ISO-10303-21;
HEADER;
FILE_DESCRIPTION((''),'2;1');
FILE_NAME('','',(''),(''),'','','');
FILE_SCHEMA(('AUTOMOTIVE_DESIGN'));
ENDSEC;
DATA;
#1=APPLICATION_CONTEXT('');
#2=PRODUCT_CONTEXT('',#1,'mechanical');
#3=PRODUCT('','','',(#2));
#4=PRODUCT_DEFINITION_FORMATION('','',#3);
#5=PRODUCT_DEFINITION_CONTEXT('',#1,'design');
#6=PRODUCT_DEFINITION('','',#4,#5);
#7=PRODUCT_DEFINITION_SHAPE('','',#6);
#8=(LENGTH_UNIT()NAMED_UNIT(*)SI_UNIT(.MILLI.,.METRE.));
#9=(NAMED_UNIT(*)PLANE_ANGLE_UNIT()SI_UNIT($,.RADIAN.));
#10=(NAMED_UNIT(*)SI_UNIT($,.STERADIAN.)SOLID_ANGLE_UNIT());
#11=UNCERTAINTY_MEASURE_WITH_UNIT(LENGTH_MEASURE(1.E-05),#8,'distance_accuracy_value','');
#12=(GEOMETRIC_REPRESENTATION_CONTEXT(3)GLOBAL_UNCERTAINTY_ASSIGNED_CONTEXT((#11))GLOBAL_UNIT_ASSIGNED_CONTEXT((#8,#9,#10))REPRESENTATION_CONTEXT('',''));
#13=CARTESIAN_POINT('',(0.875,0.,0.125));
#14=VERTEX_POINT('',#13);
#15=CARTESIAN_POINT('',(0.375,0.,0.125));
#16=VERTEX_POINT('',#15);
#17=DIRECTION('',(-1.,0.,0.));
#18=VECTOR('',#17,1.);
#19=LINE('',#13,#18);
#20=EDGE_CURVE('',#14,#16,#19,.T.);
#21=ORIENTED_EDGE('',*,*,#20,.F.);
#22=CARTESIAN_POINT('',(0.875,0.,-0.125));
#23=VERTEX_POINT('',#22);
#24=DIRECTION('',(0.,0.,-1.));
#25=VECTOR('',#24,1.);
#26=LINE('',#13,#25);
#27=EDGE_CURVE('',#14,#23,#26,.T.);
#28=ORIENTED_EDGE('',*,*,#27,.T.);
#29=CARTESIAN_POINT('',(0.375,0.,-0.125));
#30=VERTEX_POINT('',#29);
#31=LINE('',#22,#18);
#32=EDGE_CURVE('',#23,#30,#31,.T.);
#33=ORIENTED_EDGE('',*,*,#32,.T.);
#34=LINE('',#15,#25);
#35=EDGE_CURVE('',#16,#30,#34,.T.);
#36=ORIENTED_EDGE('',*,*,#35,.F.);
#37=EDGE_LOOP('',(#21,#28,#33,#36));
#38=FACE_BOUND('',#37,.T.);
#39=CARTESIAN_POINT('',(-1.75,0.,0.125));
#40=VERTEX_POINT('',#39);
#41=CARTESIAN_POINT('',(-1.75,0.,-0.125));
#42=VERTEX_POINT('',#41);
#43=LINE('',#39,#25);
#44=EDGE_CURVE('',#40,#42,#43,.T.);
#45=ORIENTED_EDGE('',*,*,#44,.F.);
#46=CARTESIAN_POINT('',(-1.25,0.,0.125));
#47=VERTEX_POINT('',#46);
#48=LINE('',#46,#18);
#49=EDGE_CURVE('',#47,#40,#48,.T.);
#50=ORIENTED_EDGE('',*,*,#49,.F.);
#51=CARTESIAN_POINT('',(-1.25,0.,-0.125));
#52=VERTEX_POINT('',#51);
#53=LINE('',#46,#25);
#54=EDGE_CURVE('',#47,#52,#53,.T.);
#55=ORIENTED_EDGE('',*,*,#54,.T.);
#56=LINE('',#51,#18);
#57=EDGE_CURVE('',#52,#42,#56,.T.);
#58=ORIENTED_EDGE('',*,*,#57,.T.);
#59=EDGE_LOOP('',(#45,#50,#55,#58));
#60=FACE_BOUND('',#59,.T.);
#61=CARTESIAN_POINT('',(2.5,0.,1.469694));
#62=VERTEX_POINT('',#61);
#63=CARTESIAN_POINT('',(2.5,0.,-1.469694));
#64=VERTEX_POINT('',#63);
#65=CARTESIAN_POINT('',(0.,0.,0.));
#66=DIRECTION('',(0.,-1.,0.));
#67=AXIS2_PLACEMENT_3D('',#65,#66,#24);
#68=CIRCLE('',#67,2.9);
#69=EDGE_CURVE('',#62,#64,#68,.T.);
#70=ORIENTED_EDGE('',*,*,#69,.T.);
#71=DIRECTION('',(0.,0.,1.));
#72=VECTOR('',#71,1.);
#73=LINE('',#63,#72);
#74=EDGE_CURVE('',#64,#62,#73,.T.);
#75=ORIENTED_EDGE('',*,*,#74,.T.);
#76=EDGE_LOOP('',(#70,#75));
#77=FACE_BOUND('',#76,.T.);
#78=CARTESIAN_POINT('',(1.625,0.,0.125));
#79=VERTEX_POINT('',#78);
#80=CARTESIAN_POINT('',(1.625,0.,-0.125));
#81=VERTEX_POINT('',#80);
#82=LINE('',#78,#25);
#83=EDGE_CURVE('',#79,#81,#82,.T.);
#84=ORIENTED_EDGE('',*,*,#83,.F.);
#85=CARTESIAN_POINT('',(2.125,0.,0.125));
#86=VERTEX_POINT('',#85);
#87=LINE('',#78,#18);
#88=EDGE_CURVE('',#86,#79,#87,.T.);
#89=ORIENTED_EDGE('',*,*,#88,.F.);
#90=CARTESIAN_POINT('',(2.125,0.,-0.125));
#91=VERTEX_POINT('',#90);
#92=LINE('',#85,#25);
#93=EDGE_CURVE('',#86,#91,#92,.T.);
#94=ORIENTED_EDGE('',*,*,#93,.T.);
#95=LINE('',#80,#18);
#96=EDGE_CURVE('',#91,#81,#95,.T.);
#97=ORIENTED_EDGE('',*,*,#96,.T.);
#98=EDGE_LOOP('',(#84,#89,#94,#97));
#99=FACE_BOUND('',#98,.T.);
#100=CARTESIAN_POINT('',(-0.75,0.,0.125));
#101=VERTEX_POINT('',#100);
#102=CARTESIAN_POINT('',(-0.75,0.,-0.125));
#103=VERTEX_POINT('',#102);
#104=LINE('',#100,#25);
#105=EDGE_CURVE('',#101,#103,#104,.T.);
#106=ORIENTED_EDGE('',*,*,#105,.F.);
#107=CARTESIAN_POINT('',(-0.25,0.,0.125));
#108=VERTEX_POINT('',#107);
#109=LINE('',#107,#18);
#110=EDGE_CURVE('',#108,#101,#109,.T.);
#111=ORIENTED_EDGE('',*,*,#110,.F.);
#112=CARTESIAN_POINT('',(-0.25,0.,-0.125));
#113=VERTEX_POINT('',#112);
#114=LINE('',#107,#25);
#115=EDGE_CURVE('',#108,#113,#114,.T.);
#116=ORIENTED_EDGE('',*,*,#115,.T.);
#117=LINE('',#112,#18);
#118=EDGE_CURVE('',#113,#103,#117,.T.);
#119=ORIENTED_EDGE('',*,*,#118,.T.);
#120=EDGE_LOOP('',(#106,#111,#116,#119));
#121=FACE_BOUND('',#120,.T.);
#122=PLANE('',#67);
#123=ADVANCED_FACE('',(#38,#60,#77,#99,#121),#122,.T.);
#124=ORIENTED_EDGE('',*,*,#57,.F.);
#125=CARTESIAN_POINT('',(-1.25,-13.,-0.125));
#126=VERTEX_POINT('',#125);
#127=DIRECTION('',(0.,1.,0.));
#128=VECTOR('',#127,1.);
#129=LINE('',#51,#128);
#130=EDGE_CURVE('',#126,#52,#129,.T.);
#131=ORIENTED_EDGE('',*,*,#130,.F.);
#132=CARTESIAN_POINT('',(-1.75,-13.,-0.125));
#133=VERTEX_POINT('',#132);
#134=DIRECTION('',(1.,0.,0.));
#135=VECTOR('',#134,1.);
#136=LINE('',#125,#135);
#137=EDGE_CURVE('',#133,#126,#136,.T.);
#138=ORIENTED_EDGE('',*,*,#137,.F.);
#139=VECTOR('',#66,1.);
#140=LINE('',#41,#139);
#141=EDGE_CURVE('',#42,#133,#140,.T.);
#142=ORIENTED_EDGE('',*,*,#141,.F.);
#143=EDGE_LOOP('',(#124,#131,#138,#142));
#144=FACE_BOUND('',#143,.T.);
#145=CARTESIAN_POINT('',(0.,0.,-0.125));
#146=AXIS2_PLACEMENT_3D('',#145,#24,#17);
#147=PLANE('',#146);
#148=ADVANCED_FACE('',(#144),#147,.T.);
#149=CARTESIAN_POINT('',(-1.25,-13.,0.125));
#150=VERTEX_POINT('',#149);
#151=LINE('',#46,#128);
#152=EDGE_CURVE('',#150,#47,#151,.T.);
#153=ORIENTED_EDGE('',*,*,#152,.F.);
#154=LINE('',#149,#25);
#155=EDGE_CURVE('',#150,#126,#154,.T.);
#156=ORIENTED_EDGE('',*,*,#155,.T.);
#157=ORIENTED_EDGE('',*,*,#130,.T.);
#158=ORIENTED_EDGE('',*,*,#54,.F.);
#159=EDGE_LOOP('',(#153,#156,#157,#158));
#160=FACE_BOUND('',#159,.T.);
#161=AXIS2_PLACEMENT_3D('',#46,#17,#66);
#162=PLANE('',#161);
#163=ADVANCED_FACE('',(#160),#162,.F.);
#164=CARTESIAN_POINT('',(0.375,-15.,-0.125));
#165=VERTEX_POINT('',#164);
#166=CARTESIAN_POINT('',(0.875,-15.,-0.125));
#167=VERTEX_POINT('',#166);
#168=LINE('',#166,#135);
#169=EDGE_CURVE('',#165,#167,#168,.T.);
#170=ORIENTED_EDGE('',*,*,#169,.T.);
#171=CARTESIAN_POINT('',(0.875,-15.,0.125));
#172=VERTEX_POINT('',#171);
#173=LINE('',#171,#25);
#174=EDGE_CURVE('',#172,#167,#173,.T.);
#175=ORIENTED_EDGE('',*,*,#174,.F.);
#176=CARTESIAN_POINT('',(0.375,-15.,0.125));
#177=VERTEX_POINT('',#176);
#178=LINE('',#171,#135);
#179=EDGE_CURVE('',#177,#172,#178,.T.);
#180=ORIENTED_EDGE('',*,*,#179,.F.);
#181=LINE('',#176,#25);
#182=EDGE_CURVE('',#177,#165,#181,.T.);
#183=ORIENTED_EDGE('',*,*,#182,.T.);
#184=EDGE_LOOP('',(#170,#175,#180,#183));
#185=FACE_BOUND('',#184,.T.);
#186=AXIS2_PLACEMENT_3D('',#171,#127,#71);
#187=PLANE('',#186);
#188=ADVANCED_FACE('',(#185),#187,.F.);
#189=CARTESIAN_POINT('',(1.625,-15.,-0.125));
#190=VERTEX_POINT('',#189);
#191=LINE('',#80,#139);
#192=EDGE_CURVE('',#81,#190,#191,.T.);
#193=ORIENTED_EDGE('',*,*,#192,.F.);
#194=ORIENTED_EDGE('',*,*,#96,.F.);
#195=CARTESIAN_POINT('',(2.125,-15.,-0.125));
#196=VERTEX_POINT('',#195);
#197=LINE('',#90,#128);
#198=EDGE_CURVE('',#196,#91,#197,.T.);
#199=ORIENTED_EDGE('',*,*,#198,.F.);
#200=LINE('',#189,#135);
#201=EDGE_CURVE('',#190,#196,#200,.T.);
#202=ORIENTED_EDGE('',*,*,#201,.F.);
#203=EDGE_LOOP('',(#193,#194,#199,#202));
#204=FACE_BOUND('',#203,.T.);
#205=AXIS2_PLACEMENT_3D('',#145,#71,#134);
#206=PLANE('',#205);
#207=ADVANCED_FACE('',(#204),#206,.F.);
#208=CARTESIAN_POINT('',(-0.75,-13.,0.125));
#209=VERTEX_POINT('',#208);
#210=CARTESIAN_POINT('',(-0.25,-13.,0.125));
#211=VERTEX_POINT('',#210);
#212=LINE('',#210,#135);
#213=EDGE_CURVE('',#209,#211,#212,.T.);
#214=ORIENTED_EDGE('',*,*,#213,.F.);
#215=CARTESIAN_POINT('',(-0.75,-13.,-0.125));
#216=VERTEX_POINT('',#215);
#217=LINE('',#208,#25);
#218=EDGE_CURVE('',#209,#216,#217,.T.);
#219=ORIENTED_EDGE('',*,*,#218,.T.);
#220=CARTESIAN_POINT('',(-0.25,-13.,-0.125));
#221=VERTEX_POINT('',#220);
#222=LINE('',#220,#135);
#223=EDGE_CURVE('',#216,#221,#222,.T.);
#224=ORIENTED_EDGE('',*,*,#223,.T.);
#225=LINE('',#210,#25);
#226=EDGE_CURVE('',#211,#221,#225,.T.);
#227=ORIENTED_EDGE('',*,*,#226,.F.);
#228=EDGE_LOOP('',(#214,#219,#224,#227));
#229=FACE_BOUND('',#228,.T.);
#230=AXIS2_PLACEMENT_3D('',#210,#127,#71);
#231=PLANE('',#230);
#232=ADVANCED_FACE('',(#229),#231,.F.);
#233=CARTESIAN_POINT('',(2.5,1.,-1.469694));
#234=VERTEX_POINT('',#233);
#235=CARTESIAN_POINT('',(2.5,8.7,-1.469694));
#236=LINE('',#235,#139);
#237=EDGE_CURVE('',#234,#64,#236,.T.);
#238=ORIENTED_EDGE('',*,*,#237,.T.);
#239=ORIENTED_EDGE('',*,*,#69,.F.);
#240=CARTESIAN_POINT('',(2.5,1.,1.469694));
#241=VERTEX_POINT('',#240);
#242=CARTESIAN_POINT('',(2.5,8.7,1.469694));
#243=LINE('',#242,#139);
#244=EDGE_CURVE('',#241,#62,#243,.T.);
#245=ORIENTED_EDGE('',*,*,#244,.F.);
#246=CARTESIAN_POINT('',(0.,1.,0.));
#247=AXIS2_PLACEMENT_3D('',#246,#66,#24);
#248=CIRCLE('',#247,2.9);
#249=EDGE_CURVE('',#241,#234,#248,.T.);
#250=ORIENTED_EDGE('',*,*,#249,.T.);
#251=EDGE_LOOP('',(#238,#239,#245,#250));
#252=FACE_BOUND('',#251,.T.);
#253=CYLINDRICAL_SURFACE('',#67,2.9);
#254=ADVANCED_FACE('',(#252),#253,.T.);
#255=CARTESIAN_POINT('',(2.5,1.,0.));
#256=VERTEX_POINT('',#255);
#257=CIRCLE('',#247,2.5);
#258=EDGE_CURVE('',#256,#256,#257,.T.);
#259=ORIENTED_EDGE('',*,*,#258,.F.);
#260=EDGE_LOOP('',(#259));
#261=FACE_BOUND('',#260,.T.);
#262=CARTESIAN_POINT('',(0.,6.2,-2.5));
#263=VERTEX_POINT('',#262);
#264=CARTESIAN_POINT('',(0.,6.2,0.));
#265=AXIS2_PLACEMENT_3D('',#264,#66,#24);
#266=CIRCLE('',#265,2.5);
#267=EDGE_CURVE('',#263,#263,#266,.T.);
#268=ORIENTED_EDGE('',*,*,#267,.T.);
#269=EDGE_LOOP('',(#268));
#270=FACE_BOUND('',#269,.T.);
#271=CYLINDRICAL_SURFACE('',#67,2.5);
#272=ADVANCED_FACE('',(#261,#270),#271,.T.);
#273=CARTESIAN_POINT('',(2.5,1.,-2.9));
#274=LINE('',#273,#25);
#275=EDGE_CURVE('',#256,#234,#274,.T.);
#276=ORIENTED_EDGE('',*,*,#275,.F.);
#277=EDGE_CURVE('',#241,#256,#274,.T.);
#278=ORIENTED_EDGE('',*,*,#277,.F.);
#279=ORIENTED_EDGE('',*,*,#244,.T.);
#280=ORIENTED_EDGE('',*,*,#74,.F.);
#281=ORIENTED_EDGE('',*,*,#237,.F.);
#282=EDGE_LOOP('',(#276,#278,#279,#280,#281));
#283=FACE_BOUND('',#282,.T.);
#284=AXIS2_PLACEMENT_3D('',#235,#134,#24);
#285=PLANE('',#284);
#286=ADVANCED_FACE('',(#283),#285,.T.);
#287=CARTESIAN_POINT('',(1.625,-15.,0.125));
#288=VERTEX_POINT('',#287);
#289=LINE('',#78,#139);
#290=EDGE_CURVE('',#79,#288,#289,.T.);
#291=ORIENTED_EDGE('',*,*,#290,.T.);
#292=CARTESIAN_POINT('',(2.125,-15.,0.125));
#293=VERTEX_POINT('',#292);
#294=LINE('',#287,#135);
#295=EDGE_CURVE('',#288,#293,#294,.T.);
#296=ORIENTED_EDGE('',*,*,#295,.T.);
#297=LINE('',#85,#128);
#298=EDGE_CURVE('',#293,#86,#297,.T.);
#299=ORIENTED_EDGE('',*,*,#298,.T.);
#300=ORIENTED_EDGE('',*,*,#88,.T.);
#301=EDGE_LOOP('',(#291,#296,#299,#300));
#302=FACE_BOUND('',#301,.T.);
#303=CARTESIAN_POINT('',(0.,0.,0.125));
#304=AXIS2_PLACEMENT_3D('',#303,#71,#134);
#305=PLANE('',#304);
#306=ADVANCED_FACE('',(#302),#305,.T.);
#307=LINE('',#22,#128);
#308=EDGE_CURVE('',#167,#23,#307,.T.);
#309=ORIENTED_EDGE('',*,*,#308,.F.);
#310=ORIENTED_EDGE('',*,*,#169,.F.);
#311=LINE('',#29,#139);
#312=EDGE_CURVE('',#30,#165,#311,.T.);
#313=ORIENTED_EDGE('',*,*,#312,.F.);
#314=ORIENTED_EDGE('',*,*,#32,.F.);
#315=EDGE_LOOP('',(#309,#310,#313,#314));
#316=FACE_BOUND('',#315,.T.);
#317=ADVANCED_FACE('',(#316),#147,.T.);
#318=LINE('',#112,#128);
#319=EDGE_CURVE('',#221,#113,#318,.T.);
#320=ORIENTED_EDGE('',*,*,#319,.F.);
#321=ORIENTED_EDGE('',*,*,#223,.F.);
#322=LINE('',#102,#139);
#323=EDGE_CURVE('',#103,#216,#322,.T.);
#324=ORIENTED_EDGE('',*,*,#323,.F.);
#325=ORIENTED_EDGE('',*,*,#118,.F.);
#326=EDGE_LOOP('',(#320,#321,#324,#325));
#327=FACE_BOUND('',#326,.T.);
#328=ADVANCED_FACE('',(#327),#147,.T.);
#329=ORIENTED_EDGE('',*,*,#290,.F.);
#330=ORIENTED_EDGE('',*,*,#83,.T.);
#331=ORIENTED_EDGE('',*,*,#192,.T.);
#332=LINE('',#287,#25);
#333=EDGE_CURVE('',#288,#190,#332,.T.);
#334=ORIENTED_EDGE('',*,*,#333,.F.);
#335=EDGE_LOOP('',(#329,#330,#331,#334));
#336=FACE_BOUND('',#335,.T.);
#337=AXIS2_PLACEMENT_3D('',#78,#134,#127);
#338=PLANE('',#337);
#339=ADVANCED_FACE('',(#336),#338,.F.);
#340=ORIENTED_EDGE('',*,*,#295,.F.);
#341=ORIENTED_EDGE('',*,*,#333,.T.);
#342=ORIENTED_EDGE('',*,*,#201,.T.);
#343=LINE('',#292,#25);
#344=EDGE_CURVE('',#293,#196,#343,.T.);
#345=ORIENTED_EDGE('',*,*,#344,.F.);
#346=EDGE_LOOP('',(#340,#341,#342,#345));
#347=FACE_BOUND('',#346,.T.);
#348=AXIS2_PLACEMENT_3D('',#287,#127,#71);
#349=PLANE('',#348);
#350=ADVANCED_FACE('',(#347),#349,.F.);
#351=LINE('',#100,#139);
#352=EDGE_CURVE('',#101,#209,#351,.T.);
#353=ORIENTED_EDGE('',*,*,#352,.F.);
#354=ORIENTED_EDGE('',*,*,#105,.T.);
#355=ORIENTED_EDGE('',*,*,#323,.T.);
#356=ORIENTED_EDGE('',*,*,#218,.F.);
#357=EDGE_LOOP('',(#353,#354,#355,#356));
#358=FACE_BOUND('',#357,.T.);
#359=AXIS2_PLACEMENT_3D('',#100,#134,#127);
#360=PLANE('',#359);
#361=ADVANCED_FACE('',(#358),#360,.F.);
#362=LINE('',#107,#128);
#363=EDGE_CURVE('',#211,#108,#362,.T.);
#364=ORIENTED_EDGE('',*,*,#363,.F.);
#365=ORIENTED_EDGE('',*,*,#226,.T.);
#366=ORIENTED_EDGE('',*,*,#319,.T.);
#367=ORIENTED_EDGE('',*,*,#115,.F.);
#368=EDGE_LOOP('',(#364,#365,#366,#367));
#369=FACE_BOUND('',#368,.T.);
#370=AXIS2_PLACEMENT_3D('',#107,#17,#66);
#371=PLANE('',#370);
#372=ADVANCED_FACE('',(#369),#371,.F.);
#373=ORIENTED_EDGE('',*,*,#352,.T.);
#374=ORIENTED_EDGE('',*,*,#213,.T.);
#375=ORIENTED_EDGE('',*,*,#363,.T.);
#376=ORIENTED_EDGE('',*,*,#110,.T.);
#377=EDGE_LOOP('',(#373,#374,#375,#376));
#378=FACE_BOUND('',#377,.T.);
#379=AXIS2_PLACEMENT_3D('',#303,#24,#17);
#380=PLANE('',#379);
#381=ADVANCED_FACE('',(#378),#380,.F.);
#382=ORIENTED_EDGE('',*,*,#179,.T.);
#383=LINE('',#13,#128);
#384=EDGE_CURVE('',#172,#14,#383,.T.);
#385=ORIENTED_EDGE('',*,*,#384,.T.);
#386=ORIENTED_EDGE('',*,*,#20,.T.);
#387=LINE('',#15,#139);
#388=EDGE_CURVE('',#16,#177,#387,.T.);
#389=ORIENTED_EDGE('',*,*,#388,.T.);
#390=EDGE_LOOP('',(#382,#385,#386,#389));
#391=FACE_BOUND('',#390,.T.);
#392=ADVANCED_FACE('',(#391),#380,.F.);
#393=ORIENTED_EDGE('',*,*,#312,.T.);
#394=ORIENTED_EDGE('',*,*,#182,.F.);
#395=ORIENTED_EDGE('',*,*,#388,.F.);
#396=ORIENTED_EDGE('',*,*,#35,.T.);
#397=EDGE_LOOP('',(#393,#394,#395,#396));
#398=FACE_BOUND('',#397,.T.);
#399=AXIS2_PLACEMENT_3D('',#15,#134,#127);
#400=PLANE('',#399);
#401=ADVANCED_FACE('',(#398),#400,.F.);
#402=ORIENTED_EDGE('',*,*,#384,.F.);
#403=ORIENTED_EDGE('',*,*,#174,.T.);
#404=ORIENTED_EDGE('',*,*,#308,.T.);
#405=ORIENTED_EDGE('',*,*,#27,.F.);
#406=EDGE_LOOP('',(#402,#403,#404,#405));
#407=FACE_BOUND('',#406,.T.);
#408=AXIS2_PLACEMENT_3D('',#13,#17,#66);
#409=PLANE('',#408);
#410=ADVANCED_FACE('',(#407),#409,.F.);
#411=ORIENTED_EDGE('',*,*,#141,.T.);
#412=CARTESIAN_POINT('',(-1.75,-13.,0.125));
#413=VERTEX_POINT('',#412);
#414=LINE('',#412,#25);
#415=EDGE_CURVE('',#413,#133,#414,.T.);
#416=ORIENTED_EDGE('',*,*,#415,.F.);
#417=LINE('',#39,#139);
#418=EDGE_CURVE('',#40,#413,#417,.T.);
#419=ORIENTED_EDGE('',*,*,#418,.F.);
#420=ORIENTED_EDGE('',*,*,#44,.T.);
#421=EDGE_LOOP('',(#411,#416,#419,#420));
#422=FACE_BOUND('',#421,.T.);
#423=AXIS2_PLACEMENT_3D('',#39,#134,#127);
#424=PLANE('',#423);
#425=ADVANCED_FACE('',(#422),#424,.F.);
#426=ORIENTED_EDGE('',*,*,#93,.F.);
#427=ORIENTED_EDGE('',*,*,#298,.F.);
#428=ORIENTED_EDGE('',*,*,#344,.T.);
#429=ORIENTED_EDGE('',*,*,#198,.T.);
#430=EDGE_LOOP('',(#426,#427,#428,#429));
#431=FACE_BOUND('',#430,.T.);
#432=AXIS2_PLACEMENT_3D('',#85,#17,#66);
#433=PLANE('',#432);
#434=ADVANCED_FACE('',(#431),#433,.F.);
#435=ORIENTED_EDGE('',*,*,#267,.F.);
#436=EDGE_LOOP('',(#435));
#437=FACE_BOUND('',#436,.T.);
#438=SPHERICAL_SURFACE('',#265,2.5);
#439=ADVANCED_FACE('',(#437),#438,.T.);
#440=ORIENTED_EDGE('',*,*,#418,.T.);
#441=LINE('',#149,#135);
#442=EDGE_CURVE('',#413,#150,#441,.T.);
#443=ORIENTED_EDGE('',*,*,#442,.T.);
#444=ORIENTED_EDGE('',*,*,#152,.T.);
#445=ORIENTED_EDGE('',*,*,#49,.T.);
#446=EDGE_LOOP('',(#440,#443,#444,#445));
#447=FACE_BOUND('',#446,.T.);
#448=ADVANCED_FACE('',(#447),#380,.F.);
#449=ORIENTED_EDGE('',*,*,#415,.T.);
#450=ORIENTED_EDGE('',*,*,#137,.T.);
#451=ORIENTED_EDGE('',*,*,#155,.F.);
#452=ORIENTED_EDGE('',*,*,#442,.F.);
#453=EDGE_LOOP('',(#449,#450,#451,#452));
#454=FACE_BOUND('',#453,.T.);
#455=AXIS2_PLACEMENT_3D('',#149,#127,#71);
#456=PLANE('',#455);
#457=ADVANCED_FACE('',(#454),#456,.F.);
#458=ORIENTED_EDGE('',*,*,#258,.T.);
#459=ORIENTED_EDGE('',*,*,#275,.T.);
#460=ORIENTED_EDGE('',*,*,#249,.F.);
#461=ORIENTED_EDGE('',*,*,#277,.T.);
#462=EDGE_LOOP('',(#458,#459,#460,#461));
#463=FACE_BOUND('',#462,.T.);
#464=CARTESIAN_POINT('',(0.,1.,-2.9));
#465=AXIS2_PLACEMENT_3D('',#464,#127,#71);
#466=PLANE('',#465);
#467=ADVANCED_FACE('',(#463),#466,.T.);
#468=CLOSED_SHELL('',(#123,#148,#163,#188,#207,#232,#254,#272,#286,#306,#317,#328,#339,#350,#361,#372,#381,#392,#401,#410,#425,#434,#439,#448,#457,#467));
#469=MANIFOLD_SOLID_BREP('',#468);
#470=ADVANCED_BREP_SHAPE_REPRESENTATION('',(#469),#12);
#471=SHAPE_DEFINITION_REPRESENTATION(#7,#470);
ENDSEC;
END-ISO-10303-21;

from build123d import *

# Parameters (mm, degrees)
SKETCH2_W           = 0.4
SKETCH2_H           = 2.939387692
CUT_EXTRUDE1_DEPTH  = 10.618211892
SKETCH3_W           = 0.5
SKETCH3_H           = 15
SKETCH3_H_2         = 13
BOSS_EXTRUDE1_DEPTH = 0.125


with BuildPart() as part:
    # Sketch1 → Revolve1 (revolve)
    with BuildSketch(Plane(origin=(0, 0, 0), x_dir=(0, 0, -1), z_dir=(1, 0, 0))):
        with BuildLine():
            Line((0, 0), (2.9, 0))
            Line((2.9, 0), (2.9, 1))
            Line((2.9, 1), (2.5, 1))
            Line((2.5, 1), (2.5, 6.2))
            ThreePointArc((2.5, 6.2), (1.767766953, 7.967766953), (0, 8.7))
            Line((0, 8.7), (0, 0))
        make_face()
    revolve(axis=Axis((0, 0, 0), (0, 1, 0)))

    # Sketch2 → Cut-Extrude1 (cut, through all)
    with BuildSketch(Plane(origin=(0, 0, 0), x_dir=(1, 0, 0), z_dir=(0, 1, 0))):
        with Locations((2.7, 0)):
            Rectangle(SKETCH2_W, SKETCH2_H)
    extrude(amount=CUT_EXTRUDE1_DEPTH, mode=Mode.SUBTRACT)

    # Sketch3 → Boss-Extrude1 (add, symmetric)
    with BuildSketch(Plane.XY):
        with Locations((0.625, -7.5)):
            Rectangle(SKETCH3_W, SKETCH3_H)
        with Locations((1.875, -7.5)):
            Rectangle(SKETCH3_W, SKETCH3_H)
        with Locations((-0.5, -6.5)):
            Rectangle(SKETCH3_W, SKETCH3_H_2)
        with Locations((-1.5, -6.5)):
            Rectangle(SKETCH3_W, SKETCH3_H_2)
    extrude(amount=BOSS_EXTRUDE1_DEPTH, both=True)


solid = part.part
